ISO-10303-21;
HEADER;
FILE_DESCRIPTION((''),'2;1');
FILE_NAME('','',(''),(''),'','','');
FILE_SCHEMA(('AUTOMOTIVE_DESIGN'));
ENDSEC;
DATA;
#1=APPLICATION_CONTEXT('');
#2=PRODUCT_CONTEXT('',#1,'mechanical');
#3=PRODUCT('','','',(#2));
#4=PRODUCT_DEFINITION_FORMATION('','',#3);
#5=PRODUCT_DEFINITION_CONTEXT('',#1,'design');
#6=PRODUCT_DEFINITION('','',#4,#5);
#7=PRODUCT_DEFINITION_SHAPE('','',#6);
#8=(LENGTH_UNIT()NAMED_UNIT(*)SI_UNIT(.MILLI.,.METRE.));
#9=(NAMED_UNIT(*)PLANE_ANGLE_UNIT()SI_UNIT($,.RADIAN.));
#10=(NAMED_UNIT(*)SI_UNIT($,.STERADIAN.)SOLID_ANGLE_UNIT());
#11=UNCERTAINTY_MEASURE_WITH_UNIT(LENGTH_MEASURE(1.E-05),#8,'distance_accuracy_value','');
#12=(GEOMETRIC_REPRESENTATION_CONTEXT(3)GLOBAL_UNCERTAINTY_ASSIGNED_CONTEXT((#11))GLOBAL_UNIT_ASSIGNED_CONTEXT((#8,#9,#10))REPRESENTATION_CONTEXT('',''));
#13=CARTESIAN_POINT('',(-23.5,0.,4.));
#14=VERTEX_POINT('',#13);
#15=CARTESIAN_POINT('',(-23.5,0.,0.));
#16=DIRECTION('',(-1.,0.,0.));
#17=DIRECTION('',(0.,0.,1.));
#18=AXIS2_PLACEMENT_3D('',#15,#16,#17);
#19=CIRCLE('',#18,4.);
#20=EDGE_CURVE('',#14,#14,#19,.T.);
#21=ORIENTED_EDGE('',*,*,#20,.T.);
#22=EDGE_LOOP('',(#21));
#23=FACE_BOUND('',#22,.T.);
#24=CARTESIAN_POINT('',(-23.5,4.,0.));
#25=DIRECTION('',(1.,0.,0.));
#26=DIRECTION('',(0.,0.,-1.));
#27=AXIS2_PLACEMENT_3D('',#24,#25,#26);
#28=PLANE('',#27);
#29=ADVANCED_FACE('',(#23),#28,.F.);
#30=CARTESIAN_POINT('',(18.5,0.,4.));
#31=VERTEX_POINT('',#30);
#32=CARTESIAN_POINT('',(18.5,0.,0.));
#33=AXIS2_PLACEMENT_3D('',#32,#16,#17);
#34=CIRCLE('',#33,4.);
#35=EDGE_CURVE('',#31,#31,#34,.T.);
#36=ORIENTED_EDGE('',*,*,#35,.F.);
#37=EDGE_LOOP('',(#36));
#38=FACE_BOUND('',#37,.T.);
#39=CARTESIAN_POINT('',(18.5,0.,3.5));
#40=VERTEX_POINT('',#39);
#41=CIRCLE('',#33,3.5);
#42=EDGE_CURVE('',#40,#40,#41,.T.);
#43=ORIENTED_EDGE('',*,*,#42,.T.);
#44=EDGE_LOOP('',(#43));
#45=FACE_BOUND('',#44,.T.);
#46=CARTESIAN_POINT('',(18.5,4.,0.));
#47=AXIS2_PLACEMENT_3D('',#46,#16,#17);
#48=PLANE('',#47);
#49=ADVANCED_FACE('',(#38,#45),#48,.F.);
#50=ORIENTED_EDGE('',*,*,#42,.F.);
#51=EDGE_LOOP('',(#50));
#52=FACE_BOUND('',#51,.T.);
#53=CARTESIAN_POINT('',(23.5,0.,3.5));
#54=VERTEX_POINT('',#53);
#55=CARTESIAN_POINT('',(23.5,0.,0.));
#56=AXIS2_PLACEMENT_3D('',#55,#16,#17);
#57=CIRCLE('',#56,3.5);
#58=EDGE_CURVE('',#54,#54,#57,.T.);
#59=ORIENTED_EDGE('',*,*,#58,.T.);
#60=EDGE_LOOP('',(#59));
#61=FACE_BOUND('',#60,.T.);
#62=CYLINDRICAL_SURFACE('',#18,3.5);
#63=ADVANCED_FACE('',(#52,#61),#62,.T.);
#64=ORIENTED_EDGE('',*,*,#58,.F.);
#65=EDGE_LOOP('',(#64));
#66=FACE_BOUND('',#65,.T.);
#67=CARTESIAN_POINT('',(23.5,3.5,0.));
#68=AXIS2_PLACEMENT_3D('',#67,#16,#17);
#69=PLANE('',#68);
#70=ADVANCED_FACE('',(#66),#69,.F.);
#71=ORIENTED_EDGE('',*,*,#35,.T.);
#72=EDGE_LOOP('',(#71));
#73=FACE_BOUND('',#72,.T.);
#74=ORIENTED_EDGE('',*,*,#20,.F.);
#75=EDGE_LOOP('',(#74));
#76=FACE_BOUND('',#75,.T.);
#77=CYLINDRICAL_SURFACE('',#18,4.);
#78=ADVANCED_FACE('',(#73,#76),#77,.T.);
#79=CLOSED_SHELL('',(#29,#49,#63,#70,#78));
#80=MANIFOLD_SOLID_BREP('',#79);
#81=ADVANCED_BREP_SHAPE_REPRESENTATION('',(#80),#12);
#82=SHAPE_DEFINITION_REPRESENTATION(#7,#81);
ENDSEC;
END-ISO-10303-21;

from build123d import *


with BuildPart() as part:
    # Sketch1 → Revolve1 (revolve)
    with BuildSketch(Plane.XY, mode=Mode.PRIVATE) as revolve1_sk:
        Polygon((23.5, 0), (-23.5, 0), (-23.5, 4), (18.5, 4), (18.5, 3.5), (23.5, 3.5), align=None)
    revolve(revolve1_sk.sketch.rotate(Axis((-23.5, 0, 0), (1, 0, 0)), 90), axis=Axis((-23.5, 0, 0), (1, 0, 0)))


solid = part.part
